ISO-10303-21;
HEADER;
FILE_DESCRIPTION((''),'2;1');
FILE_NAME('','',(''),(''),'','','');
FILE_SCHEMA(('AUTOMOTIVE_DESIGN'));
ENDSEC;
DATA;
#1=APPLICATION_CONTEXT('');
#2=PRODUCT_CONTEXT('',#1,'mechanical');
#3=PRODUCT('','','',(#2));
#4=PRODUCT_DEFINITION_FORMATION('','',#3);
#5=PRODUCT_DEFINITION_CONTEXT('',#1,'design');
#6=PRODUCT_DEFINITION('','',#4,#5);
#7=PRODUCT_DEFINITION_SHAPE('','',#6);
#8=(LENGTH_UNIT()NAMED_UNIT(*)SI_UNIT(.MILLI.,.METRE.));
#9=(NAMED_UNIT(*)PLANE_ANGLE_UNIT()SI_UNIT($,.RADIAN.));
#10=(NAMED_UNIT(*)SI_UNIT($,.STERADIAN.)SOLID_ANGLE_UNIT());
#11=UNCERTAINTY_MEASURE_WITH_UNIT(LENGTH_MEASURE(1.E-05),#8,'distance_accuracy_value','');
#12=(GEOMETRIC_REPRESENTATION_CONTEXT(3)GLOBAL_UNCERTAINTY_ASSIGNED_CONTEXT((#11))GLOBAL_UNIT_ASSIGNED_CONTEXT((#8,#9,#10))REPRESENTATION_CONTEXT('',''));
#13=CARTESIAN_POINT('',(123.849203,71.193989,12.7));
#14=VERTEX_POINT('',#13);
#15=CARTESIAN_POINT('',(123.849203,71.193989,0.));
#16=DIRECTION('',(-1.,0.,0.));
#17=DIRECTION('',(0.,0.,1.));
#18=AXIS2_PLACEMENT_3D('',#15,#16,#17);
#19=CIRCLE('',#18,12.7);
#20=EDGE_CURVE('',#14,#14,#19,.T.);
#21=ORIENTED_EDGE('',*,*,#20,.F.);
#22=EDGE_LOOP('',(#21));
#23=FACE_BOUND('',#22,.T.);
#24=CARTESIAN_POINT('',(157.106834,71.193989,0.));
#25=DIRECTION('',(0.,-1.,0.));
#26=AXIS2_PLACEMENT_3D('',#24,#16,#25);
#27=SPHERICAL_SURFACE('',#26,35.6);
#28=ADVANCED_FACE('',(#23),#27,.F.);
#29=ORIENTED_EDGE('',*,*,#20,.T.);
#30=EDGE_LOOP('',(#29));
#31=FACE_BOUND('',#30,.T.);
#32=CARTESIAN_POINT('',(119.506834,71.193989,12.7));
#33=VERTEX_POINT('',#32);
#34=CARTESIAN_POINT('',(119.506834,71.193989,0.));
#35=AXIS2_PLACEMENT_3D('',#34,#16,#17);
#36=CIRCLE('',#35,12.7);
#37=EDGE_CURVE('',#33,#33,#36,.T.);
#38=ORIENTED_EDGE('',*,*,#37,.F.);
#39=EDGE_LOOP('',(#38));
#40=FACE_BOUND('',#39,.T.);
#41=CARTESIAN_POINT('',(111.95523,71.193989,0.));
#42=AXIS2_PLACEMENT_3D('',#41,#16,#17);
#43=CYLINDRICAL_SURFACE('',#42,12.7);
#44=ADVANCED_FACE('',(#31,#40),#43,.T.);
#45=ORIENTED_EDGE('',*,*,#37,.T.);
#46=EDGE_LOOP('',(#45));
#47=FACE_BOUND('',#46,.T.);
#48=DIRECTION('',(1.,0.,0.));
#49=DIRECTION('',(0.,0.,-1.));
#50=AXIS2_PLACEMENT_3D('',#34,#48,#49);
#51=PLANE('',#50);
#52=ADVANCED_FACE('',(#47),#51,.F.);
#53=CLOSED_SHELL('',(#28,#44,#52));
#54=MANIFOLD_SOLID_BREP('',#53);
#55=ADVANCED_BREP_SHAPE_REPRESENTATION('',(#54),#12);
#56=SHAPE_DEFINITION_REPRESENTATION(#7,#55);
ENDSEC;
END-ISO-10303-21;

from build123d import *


with BuildPart() as part:
    # 草图1 → 旋转1 (revolve)
    with BuildSketch(Plane.XY, mode=Mode.PRIVATE) as revolve_1_sk:
        with BuildLine():
            Line((119.506834179, 71.193989087), (119.506834179, 83.893989087))
            Line((119.506834179, 83.893989087), (123.849203475, 83.893989087))
            ThreePointArc((123.849203475, 83.893989087), (122.097323663, 77.651091647), (121.506834179, 71.193989087))
            Line((121.506834179, 71.193989087), (119.506834179, 71.193989087))
        make_face()
    revolve(revolve_1_sk.sketch.rotate(Axis((111.955229758, 71.193989087, 0), (1, 0, 0)), 180), axis=Axis((111.955229758, 71.193989087, 0), (1, 0, 0)))  # turned: the seam where the file's is


solid = part.part
